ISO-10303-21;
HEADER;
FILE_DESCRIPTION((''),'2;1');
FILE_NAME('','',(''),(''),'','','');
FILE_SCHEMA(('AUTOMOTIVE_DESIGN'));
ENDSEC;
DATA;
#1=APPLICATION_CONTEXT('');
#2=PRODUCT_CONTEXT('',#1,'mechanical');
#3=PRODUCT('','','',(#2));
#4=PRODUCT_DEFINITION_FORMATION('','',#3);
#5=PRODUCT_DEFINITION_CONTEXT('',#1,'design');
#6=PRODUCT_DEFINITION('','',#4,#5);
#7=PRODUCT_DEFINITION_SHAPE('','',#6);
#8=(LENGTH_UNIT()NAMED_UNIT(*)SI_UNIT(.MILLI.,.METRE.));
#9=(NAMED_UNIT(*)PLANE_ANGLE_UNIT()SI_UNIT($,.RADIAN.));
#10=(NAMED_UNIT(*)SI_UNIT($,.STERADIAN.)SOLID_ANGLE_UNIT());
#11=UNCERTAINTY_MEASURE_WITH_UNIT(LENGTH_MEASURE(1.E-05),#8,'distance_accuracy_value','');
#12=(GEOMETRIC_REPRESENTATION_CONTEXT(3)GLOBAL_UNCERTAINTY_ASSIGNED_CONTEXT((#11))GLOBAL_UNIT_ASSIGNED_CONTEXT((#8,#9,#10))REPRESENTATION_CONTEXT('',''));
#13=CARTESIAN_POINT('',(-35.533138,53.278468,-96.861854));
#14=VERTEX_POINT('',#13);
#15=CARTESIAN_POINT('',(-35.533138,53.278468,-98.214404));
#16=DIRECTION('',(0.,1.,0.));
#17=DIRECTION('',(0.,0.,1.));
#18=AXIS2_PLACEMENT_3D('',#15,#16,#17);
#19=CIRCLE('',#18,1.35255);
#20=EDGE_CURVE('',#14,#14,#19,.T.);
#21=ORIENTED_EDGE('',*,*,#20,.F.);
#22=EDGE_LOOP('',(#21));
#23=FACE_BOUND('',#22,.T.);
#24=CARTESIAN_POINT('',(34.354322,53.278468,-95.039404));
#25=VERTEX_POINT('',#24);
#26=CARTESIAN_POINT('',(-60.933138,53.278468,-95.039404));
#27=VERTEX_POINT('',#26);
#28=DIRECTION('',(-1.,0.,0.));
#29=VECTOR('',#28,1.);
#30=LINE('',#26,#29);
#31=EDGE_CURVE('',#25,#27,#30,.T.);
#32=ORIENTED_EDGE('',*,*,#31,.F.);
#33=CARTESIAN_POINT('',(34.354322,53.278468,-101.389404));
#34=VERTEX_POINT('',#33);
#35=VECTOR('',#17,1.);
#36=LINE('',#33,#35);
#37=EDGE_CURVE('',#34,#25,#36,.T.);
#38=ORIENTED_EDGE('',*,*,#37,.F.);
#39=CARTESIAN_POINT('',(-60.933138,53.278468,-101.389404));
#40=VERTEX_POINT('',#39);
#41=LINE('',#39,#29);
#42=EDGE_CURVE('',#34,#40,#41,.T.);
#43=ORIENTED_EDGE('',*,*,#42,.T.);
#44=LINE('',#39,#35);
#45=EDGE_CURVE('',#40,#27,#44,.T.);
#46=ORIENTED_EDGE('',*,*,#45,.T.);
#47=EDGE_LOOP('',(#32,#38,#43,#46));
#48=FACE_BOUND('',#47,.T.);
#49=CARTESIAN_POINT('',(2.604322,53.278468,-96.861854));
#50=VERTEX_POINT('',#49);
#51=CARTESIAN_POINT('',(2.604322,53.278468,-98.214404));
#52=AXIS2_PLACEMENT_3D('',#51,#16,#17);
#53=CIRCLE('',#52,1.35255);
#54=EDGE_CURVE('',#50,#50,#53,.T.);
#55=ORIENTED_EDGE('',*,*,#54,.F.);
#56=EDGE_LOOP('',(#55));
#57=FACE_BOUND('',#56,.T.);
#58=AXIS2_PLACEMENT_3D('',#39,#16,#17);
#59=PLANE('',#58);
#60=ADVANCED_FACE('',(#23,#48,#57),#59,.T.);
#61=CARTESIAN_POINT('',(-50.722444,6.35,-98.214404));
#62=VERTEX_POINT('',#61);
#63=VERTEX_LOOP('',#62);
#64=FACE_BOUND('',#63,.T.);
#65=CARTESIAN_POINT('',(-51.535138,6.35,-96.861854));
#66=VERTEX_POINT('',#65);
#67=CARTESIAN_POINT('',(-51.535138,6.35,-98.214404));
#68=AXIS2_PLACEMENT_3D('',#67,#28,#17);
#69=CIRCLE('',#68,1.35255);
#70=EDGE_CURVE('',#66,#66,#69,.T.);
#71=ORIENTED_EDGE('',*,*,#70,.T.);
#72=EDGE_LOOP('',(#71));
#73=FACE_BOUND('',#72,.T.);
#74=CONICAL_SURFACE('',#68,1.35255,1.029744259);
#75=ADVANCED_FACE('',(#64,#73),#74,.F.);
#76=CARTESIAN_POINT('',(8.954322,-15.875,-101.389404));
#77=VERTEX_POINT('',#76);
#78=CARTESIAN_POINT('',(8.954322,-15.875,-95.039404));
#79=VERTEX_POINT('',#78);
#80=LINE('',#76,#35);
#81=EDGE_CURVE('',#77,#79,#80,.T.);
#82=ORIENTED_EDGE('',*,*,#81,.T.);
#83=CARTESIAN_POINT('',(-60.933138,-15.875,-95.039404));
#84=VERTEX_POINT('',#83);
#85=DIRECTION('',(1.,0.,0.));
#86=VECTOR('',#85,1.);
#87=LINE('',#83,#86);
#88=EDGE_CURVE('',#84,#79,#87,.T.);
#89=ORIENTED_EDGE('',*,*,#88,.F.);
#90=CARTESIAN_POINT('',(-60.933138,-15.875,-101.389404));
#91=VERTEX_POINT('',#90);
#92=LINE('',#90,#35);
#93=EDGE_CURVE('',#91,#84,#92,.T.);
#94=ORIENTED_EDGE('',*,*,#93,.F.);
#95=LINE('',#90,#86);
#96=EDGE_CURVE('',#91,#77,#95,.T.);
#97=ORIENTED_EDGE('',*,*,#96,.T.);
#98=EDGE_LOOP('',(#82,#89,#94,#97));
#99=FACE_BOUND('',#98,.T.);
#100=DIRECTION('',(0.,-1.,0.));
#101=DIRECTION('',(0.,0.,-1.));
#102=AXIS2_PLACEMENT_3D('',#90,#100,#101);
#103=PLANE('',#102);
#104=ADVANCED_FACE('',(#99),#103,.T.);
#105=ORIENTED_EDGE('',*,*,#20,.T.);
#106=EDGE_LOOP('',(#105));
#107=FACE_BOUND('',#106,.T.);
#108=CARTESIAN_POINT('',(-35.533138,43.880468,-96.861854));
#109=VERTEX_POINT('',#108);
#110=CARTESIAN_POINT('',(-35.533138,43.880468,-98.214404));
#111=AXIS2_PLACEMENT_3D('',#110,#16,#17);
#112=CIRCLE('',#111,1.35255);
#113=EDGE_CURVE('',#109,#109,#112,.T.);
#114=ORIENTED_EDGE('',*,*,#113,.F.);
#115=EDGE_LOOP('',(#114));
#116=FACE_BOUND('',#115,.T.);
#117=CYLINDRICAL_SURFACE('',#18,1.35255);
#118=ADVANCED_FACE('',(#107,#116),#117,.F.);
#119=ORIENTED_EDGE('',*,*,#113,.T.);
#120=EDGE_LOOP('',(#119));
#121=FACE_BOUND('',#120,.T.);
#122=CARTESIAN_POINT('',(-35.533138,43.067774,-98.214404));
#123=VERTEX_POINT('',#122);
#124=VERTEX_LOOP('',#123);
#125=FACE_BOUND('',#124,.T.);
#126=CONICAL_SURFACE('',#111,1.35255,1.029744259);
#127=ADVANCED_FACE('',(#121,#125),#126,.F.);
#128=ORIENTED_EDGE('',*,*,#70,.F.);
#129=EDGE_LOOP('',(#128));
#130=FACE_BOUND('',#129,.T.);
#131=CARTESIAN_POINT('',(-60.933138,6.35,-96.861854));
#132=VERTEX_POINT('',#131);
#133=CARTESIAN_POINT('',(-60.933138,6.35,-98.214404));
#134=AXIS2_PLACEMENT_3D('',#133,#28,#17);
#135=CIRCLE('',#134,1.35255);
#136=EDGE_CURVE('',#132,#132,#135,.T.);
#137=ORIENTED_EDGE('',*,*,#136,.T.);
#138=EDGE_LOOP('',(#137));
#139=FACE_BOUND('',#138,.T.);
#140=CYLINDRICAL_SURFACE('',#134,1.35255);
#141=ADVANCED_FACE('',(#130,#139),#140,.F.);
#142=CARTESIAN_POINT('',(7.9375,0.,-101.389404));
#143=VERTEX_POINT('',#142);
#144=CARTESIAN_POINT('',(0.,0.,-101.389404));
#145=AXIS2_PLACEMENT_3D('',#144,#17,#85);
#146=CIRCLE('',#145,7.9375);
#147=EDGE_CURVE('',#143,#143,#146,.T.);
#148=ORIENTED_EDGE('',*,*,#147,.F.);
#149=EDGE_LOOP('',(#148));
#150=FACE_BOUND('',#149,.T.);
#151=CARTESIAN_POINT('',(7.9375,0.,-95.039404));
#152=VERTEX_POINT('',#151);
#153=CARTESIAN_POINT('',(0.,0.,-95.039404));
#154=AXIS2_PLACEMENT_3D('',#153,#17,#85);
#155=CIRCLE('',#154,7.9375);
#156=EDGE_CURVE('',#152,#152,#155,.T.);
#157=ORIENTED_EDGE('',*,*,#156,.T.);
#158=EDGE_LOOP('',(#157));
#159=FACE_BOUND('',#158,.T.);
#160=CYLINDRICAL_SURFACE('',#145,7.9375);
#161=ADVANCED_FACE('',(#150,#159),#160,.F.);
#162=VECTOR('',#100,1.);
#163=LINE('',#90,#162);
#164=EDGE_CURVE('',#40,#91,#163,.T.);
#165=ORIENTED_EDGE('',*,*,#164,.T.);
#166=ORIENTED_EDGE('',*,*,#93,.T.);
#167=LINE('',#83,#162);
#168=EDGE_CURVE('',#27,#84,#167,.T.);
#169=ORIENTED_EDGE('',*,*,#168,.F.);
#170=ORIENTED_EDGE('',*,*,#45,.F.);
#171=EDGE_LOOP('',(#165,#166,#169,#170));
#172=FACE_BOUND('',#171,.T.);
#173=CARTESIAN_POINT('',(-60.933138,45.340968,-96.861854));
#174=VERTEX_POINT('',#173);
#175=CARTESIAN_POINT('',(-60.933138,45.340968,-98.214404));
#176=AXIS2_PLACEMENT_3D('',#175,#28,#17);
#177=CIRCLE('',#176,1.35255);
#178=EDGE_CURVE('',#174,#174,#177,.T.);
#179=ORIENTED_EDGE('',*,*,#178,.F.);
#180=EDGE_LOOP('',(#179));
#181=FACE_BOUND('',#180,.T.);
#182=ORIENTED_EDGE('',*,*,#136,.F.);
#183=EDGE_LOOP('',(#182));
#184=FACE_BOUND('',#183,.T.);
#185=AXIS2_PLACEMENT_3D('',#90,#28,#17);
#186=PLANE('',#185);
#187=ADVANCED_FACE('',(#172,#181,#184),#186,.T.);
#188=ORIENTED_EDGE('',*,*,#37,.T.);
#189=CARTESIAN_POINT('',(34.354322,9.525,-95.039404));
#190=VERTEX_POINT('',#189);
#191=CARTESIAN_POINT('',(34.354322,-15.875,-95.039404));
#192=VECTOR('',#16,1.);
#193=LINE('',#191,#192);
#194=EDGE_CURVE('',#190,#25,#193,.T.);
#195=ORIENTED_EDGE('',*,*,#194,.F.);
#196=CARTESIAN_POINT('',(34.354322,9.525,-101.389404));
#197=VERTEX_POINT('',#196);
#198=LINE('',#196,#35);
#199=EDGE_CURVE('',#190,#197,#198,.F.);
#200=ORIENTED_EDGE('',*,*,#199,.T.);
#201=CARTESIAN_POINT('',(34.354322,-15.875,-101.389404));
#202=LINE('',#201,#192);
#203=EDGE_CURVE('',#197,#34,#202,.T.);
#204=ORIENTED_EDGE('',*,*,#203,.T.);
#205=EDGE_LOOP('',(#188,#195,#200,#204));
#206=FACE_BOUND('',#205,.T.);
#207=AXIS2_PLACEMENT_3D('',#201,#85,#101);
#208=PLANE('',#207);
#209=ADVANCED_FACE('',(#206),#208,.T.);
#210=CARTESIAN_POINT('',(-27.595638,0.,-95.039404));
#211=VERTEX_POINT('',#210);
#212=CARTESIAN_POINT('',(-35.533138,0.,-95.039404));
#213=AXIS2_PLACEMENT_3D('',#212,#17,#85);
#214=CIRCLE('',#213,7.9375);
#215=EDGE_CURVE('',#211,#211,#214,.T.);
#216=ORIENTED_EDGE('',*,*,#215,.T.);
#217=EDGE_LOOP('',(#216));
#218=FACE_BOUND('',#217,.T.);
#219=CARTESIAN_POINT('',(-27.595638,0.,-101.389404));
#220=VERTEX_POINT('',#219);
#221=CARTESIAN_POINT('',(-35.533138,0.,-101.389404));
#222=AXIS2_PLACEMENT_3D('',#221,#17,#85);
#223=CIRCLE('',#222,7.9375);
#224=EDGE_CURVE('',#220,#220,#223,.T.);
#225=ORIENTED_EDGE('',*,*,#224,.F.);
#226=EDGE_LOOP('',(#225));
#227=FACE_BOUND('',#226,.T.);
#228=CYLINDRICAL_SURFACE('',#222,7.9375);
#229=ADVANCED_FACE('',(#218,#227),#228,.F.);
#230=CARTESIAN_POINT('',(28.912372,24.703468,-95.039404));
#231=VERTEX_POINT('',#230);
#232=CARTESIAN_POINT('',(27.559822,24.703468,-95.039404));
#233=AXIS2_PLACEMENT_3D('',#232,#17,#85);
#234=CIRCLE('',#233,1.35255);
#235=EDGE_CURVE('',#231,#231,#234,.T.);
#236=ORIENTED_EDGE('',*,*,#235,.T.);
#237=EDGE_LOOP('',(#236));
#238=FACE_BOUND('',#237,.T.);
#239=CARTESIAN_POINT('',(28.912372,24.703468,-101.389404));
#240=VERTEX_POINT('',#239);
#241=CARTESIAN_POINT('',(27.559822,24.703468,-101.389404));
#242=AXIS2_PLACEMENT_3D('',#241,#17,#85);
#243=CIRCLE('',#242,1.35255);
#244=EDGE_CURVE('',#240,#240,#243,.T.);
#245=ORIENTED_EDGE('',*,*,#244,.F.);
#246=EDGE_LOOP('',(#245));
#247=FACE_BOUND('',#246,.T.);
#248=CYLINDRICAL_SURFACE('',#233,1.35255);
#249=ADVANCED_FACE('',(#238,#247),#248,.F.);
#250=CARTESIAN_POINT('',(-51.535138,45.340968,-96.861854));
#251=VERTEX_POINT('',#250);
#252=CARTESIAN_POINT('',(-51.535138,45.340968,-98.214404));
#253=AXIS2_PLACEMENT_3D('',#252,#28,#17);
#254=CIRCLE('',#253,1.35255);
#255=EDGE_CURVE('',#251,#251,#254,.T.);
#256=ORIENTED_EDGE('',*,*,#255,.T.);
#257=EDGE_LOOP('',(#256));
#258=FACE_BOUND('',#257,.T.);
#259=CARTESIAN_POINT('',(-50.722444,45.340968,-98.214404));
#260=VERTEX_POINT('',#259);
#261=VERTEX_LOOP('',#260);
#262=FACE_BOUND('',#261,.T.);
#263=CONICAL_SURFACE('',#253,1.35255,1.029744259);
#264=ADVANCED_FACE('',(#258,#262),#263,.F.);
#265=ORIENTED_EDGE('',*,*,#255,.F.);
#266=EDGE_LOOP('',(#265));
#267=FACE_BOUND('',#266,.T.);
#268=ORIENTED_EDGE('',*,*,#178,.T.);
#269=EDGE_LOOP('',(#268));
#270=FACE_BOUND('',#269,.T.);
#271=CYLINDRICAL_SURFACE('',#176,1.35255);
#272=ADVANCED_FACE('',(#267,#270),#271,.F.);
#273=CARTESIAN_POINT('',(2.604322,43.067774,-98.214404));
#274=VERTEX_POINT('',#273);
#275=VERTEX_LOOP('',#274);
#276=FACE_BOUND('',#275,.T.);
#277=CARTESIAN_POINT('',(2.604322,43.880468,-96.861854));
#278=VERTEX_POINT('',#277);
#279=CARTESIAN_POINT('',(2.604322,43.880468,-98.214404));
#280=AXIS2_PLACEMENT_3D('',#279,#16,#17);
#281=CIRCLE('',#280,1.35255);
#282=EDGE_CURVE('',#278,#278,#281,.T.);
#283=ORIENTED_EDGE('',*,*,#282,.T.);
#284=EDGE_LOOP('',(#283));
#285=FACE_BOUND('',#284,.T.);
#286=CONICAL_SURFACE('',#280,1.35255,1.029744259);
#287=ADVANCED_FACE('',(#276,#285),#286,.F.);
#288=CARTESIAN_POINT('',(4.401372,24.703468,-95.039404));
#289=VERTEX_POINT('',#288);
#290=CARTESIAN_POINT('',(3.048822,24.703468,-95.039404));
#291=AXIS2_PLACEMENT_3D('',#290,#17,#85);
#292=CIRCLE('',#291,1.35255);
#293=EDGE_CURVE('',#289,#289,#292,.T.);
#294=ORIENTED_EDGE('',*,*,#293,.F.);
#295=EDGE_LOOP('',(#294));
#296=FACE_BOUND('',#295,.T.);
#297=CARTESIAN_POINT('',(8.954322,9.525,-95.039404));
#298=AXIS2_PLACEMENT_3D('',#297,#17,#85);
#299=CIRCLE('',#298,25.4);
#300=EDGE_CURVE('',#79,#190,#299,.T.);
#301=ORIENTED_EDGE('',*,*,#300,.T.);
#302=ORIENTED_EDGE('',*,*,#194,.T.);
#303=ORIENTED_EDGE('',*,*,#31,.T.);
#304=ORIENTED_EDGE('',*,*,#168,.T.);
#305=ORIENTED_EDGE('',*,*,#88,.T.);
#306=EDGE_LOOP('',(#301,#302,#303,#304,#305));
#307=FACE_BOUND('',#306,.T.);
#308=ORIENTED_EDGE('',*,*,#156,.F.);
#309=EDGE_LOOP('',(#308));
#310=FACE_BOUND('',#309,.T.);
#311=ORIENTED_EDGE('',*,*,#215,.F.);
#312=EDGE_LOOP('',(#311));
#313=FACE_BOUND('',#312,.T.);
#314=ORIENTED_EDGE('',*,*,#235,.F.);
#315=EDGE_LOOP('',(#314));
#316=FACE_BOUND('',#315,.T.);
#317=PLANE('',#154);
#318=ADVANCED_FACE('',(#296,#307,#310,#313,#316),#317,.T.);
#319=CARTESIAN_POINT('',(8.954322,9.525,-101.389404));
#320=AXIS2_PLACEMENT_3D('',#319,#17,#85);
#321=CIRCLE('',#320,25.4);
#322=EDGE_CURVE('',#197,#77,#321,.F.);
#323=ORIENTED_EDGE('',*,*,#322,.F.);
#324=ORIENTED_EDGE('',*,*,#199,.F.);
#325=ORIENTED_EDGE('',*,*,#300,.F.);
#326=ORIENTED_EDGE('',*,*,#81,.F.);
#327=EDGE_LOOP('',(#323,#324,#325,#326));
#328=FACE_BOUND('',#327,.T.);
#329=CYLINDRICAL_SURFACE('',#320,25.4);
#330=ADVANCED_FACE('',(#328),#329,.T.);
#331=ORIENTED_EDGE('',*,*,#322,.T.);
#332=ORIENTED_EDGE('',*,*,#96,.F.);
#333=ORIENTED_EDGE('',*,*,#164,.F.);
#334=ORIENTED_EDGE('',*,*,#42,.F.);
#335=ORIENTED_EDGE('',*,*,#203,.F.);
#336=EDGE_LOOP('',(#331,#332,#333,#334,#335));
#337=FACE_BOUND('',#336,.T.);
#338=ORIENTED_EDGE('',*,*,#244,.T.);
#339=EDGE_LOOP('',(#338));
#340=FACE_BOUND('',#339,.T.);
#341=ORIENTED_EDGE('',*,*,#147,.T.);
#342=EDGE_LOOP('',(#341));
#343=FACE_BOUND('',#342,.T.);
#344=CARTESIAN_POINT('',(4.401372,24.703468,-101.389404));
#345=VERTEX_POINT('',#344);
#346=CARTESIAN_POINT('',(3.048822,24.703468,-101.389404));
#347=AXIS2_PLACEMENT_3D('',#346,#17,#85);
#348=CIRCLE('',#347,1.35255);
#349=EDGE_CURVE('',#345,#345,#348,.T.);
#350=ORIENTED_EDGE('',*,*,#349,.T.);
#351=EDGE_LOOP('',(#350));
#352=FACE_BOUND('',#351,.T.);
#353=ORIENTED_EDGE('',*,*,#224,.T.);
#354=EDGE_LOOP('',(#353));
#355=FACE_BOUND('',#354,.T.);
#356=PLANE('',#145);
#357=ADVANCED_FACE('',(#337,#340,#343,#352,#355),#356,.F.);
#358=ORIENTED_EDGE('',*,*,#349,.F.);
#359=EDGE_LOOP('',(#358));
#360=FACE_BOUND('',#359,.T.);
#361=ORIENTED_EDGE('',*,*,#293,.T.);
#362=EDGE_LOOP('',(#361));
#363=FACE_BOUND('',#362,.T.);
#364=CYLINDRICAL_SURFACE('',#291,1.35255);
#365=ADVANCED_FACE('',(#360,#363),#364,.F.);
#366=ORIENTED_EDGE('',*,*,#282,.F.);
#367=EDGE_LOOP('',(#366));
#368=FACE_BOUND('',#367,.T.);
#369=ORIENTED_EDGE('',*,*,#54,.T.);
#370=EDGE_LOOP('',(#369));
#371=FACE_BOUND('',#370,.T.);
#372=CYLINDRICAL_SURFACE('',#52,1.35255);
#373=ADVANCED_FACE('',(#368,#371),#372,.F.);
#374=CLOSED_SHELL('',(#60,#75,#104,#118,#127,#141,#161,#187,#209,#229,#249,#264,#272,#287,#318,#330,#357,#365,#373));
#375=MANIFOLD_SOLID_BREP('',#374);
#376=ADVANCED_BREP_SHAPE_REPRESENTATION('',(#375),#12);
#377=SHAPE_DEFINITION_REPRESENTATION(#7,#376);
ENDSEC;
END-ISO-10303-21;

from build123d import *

# Parameters (mm, degrees)
SKETCH1_W                 = 95.287460045
SKETCH1_H                 = 69.153467802
SKETCH1_R                 = 7.9375
BOSS_EXTRUDE1_DEPTH       = 6.35
FILLET1_R                 = 25.4
F_6_32_TAPPED_HOLE1_D     = 2.7051
F_6_32_TAPPED_HOLE1_DEPTH = 10.9728
F_6_32_TAPPED_HOLE1_TIP   = 0.81269403
F_6_32_TAPPED_HOLE2_D     = 2.7051
F_6_32_TAPPED_HOLE2_DEPTH = 9.398
F_6_32_TAPPED_HOLE2_TIP   = 0.81269403
F_6_32_TAPPED_HOLE3_D     = 2.7051
F_6_32_TAPPED_HOLE3_DEPTH = 9.398
F_6_32_TAPPED_HOLE3_TIP   = 0.81269403


with BuildPart() as part:
    # Sketch1 → Boss-Extrude1 (new body)
    with BuildSketch(Plane.XY.offset(-95.039403682)):
        with Locations((-13.289407805, 18.701733901)):
            Rectangle(SKETCH1_W, SKETCH1_H)
        Circle(SKETCH1_R, mode=Mode.SUBTRACT)
        with Locations((-35.533137827, 0)):
            Circle(SKETCH1_R, mode=Mode.SUBTRACT)
    extrude(amount=-BOSS_EXTRUDE1_DEPTH)

    # Fillet1
    fillet1_edges = [part.edges().sort_by_distance(p)[0] for p in [
        (34.354322218, -15.875, -98.214403682),
    ]]
    fillet(fillet1_edges, radius=FILLET1_R)

    # #6-32 Tapped Hole1
    with Locations(Plane.XY.offset(-95.039403682)):
        with Locations((27.559822218, 24.703467802), (3.048822218, 24.703467802)):
            Hole(F_6_32_TAPPED_HOLE1_D / 2, depth=F_6_32_TAPPED_HOLE1_DEPTH)
            with Locations((0, 0, -(F_6_32_TAPPED_HOLE1_DEPTH + F_6_32_TAPPED_HOLE1_TIP / 2))):  # 118° drill point
                Cone(0, F_6_32_TAPPED_HOLE1_D / 2, F_6_32_TAPPED_HOLE1_TIP, mode=Mode.SUBTRACT)

    # #6-32 Tapped Hole2
    with Locations(Plane(origin=(0, 53.278467802, 0), x_dir=(1, 0, 0), z_dir=(0, 1, 0))):
        with Locations((-35.533137827, 98.214403682), (2.604322218, 98.214403682)):
            Hole(F_6_32_TAPPED_HOLE2_D / 2, depth=F_6_32_TAPPED_HOLE2_DEPTH)
            with Locations((0, 0, -(F_6_32_TAPPED_HOLE2_DEPTH + F_6_32_TAPPED_HOLE2_TIP / 2))):  # 118° drill point
                Cone(0, F_6_32_TAPPED_HOLE2_D / 2, F_6_32_TAPPED_HOLE2_TIP, mode=Mode.SUBTRACT)

    # #6-32 Tapped Hole3
    with Locations(Plane.ZY.offset(60.933137827)):
        with Locations((-98.214403682, 45.340967802), (-98.214403682, 6.35)):
            Hole(F_6_32_TAPPED_HOLE3_D / 2, depth=F_6_32_TAPPED_HOLE3_DEPTH)
            with Locations((0, 0, -(F_6_32_TAPPED_HOLE3_DEPTH + F_6_32_TAPPED_HOLE3_TIP / 2))):  # 118° drill point
                Cone(0, F_6_32_TAPPED_HOLE3_D / 2, F_6_32_TAPPED_HOLE3_TIP, mode=Mode.SUBTRACT)


solid = part.part
